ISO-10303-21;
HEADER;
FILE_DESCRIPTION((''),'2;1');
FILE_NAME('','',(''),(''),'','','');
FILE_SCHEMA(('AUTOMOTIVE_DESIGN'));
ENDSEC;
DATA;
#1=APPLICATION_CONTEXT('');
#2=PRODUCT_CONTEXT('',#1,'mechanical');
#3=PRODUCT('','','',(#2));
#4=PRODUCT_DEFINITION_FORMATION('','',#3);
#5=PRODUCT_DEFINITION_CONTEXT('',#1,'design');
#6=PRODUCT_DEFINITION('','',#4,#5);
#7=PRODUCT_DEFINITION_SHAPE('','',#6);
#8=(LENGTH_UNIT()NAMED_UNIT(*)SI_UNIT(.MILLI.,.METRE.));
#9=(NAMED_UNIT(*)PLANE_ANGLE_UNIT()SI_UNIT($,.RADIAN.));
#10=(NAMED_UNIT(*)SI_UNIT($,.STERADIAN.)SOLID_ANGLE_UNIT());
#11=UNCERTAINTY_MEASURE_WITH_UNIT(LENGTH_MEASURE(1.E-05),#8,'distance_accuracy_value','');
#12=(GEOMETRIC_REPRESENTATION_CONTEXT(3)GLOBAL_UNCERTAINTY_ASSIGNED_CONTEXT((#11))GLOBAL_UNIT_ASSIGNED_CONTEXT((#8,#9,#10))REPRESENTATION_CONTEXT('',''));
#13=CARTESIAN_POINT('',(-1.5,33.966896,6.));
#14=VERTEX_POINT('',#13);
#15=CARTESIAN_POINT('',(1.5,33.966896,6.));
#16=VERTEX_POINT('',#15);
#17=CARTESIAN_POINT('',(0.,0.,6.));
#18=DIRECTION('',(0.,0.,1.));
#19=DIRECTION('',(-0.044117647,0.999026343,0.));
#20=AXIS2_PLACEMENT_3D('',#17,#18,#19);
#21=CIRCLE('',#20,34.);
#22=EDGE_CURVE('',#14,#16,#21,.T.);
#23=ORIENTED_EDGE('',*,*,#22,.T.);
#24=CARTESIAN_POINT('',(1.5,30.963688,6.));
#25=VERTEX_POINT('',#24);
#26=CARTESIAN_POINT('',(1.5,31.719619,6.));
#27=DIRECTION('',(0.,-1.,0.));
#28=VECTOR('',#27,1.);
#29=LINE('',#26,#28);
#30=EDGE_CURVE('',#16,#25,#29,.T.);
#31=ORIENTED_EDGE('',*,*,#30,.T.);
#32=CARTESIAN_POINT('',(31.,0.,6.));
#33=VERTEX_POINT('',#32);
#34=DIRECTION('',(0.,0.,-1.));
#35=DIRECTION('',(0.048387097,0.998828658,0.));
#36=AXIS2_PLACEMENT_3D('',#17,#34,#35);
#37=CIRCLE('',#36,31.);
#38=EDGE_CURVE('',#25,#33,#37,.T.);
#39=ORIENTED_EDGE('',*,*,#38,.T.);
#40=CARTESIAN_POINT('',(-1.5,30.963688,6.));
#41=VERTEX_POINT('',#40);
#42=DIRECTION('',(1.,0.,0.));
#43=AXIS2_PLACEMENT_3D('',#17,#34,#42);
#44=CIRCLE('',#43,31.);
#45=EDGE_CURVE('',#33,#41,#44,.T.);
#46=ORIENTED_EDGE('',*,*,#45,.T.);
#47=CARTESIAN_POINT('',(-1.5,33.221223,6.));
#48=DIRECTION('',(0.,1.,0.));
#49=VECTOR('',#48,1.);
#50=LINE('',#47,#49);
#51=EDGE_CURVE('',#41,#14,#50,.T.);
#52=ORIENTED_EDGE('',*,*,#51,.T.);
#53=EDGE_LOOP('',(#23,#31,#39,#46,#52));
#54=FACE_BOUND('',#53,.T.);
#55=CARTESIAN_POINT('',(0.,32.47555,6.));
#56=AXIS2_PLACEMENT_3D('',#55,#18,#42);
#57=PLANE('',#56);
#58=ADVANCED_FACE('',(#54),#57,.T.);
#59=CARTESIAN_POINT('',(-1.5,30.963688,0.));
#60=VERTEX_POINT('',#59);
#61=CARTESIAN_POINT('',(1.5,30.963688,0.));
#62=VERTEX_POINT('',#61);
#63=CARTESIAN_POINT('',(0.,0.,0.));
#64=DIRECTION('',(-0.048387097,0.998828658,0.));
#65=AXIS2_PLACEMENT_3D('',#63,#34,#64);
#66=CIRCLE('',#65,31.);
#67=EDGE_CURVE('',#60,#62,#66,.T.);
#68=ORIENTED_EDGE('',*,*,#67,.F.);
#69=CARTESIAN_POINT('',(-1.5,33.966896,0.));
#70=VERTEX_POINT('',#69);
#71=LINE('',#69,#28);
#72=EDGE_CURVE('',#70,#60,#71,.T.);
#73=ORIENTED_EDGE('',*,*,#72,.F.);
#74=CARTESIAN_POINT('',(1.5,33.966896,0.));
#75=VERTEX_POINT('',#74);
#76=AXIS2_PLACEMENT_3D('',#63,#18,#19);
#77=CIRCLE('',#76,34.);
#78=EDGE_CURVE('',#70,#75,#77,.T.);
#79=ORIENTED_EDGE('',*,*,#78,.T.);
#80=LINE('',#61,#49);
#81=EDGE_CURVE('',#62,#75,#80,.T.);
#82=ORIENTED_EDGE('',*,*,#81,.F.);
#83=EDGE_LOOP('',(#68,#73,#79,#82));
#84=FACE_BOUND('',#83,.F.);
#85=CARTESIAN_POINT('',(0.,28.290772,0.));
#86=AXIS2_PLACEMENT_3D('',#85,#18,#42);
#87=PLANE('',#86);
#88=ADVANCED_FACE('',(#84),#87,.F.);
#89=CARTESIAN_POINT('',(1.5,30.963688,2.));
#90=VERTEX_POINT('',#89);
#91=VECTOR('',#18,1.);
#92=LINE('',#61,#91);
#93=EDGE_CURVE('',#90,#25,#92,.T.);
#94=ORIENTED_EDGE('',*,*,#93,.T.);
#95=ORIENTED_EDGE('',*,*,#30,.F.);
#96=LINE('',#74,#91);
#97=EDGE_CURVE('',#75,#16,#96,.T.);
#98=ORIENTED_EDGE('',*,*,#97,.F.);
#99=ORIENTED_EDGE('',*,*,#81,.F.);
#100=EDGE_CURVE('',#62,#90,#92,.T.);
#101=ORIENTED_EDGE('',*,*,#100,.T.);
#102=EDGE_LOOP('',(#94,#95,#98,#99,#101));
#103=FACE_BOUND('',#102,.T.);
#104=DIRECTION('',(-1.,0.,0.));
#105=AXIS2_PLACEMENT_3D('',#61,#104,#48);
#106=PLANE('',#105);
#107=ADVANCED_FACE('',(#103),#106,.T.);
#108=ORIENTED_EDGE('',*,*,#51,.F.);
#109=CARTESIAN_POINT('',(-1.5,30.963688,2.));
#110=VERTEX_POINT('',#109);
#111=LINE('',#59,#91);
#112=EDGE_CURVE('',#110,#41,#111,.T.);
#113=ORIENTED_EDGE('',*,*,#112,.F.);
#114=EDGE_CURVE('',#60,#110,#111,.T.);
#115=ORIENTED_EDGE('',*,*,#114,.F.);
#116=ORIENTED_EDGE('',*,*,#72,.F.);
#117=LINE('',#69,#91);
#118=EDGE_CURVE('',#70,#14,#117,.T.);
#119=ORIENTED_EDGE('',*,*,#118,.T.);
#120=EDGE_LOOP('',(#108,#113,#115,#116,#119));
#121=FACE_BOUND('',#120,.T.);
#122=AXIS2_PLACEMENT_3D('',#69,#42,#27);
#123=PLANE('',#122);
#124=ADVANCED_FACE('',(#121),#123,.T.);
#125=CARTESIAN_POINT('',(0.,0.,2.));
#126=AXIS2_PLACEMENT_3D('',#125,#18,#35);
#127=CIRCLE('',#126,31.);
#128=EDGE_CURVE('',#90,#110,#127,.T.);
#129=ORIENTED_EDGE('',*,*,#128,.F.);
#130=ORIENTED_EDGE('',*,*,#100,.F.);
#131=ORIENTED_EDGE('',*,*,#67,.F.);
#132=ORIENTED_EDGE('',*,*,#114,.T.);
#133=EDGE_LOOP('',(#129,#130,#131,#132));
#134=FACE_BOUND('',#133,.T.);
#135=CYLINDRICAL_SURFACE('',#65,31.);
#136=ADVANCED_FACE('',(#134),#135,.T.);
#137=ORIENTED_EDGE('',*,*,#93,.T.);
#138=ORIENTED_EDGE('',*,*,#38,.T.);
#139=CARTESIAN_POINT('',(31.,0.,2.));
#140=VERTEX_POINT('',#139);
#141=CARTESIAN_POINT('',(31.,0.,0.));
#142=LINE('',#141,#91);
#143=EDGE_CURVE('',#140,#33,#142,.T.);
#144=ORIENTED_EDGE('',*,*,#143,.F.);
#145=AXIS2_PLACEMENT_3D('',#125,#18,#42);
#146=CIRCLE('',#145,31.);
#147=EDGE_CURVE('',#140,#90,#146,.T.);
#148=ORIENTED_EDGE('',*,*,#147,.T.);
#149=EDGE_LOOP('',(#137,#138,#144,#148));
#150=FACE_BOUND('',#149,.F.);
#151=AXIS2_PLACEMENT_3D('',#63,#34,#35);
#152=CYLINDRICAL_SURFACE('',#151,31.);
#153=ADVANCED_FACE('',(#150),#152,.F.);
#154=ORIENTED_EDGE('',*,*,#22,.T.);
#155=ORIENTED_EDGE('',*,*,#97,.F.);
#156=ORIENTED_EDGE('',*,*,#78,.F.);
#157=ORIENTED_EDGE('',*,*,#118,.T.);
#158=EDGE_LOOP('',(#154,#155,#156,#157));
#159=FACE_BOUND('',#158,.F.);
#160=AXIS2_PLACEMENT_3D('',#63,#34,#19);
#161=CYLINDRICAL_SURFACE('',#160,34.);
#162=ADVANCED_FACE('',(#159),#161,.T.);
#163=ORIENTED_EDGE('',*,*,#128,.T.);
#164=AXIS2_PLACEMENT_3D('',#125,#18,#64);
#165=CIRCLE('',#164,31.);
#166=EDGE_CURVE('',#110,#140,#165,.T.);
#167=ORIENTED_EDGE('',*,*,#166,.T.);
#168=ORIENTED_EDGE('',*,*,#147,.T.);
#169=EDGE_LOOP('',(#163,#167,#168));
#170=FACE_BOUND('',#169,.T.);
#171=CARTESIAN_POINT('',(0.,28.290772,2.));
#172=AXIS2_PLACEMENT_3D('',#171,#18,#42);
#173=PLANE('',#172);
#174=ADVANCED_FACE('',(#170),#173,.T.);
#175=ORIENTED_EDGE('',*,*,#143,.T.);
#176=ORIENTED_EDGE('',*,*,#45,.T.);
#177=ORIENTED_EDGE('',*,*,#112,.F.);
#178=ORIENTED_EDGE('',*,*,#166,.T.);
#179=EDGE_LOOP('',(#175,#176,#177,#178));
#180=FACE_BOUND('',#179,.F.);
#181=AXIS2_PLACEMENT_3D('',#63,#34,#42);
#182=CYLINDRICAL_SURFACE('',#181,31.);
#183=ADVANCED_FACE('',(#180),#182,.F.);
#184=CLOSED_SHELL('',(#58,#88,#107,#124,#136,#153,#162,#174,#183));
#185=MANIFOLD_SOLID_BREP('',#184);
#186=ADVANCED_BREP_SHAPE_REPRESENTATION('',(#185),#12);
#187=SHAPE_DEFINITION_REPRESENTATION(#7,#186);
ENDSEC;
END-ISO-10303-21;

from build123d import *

# Parameters (mm, degrees)
F1_DEPTH = 6
F2_DEPTH = 2
F3_DEPTH = 25


with BuildPart() as f1:
    # F0 (on Top) → F1 (new body)
    with BuildSketch(Plane.XY):
        with BuildLine():
            Line((1.5, 30.9636884108), (1.5, 33.9668956486))
            ThreePointArc((1.5, 33.9668956486), (0, 34), (-1.5, 33.9668956486))
            Line((-1.5, 33.9668956486), (-1.5, 30.9636884108))
            ThreePointArc((-1.5, 30.9636884108), (0, 31), (1.5, 30.9636884108))
        make_face()
        with BuildLine():
            ThreePointArc((-1.5, 33.9668956486), (-23.5053185471, -24.5662369931), (34, 0))
            ThreePointArc((34, 0), (24.5662369931, 23.5053185471), (1.5, 33.9668956486))
            Line((1.5, 33.9668956486), (1.5, 30.9636884108))
            ThreePointArc((1.5, 30.9636884108), (22.4443756875, 21.3834047803), (31, 0))
            ThreePointArc((31, 0), (-21.3834047803, -22.4443756875), (-1.5, 30.9636884108))
            Line((-1.5, 30.9636884108), (-1.5, 33.9668956486))
        make_face()
    extrude(amount=F1_DEPTH)

    # F0 (on Top) → F2 (join)
    with BuildSketch(Plane.XY):
        with BuildLine():
            Line((1.5, 25.6097931415), (1.5, 30.9636884108))
            ThreePointArc((1.5, 30.9636884108), (0, 31), (-1.5, 30.9636884108))
            Line((-1.5, 30.9636884108), (-1.5, 25.6097931415))
            Line((-1.5, 25.6097931415), (1.5, 25.6097931415))
        make_face()
        with BuildLine():
            ThreePointArc((31, 0), (22.4443756875, 21.3834047803), (1.5, 30.9636884108))
            Line((1.5, 30.9636884108), (1.5, 25.6097931415))
            Line((1.5, 25.6097931415), (-1.5, 25.6097931415))
            Line((-1.5, 25.6097931415), (-1.5, 30.9636884108))
            ThreePointArc((-1.5, 30.9636884108), (-21.3834047803, -22.4443756875), (31, 0))
        make_face()
    extrude(amount=F2_DEPTH)

    # F0 (on Top) → F3 (cut)
    with BuildSketch(Plane.XY):
        with BuildLine():
            Line((1.5, 30.9636884108), (1.5, 33.9668956486))
            ThreePointArc((1.5, 33.9668956486), (0, 34), (-1.5, 33.9668956486))
            Line((-1.5, 33.9668956486), (-1.5, 30.9636884108))
            ThreePointArc((-1.5, 30.9636884108), (0, 31), (1.5, 30.9636884108))
        make_face()
    extrude(amount=F3_DEPTH, mode=Mode.SUBTRACT)


solid = f1.part
